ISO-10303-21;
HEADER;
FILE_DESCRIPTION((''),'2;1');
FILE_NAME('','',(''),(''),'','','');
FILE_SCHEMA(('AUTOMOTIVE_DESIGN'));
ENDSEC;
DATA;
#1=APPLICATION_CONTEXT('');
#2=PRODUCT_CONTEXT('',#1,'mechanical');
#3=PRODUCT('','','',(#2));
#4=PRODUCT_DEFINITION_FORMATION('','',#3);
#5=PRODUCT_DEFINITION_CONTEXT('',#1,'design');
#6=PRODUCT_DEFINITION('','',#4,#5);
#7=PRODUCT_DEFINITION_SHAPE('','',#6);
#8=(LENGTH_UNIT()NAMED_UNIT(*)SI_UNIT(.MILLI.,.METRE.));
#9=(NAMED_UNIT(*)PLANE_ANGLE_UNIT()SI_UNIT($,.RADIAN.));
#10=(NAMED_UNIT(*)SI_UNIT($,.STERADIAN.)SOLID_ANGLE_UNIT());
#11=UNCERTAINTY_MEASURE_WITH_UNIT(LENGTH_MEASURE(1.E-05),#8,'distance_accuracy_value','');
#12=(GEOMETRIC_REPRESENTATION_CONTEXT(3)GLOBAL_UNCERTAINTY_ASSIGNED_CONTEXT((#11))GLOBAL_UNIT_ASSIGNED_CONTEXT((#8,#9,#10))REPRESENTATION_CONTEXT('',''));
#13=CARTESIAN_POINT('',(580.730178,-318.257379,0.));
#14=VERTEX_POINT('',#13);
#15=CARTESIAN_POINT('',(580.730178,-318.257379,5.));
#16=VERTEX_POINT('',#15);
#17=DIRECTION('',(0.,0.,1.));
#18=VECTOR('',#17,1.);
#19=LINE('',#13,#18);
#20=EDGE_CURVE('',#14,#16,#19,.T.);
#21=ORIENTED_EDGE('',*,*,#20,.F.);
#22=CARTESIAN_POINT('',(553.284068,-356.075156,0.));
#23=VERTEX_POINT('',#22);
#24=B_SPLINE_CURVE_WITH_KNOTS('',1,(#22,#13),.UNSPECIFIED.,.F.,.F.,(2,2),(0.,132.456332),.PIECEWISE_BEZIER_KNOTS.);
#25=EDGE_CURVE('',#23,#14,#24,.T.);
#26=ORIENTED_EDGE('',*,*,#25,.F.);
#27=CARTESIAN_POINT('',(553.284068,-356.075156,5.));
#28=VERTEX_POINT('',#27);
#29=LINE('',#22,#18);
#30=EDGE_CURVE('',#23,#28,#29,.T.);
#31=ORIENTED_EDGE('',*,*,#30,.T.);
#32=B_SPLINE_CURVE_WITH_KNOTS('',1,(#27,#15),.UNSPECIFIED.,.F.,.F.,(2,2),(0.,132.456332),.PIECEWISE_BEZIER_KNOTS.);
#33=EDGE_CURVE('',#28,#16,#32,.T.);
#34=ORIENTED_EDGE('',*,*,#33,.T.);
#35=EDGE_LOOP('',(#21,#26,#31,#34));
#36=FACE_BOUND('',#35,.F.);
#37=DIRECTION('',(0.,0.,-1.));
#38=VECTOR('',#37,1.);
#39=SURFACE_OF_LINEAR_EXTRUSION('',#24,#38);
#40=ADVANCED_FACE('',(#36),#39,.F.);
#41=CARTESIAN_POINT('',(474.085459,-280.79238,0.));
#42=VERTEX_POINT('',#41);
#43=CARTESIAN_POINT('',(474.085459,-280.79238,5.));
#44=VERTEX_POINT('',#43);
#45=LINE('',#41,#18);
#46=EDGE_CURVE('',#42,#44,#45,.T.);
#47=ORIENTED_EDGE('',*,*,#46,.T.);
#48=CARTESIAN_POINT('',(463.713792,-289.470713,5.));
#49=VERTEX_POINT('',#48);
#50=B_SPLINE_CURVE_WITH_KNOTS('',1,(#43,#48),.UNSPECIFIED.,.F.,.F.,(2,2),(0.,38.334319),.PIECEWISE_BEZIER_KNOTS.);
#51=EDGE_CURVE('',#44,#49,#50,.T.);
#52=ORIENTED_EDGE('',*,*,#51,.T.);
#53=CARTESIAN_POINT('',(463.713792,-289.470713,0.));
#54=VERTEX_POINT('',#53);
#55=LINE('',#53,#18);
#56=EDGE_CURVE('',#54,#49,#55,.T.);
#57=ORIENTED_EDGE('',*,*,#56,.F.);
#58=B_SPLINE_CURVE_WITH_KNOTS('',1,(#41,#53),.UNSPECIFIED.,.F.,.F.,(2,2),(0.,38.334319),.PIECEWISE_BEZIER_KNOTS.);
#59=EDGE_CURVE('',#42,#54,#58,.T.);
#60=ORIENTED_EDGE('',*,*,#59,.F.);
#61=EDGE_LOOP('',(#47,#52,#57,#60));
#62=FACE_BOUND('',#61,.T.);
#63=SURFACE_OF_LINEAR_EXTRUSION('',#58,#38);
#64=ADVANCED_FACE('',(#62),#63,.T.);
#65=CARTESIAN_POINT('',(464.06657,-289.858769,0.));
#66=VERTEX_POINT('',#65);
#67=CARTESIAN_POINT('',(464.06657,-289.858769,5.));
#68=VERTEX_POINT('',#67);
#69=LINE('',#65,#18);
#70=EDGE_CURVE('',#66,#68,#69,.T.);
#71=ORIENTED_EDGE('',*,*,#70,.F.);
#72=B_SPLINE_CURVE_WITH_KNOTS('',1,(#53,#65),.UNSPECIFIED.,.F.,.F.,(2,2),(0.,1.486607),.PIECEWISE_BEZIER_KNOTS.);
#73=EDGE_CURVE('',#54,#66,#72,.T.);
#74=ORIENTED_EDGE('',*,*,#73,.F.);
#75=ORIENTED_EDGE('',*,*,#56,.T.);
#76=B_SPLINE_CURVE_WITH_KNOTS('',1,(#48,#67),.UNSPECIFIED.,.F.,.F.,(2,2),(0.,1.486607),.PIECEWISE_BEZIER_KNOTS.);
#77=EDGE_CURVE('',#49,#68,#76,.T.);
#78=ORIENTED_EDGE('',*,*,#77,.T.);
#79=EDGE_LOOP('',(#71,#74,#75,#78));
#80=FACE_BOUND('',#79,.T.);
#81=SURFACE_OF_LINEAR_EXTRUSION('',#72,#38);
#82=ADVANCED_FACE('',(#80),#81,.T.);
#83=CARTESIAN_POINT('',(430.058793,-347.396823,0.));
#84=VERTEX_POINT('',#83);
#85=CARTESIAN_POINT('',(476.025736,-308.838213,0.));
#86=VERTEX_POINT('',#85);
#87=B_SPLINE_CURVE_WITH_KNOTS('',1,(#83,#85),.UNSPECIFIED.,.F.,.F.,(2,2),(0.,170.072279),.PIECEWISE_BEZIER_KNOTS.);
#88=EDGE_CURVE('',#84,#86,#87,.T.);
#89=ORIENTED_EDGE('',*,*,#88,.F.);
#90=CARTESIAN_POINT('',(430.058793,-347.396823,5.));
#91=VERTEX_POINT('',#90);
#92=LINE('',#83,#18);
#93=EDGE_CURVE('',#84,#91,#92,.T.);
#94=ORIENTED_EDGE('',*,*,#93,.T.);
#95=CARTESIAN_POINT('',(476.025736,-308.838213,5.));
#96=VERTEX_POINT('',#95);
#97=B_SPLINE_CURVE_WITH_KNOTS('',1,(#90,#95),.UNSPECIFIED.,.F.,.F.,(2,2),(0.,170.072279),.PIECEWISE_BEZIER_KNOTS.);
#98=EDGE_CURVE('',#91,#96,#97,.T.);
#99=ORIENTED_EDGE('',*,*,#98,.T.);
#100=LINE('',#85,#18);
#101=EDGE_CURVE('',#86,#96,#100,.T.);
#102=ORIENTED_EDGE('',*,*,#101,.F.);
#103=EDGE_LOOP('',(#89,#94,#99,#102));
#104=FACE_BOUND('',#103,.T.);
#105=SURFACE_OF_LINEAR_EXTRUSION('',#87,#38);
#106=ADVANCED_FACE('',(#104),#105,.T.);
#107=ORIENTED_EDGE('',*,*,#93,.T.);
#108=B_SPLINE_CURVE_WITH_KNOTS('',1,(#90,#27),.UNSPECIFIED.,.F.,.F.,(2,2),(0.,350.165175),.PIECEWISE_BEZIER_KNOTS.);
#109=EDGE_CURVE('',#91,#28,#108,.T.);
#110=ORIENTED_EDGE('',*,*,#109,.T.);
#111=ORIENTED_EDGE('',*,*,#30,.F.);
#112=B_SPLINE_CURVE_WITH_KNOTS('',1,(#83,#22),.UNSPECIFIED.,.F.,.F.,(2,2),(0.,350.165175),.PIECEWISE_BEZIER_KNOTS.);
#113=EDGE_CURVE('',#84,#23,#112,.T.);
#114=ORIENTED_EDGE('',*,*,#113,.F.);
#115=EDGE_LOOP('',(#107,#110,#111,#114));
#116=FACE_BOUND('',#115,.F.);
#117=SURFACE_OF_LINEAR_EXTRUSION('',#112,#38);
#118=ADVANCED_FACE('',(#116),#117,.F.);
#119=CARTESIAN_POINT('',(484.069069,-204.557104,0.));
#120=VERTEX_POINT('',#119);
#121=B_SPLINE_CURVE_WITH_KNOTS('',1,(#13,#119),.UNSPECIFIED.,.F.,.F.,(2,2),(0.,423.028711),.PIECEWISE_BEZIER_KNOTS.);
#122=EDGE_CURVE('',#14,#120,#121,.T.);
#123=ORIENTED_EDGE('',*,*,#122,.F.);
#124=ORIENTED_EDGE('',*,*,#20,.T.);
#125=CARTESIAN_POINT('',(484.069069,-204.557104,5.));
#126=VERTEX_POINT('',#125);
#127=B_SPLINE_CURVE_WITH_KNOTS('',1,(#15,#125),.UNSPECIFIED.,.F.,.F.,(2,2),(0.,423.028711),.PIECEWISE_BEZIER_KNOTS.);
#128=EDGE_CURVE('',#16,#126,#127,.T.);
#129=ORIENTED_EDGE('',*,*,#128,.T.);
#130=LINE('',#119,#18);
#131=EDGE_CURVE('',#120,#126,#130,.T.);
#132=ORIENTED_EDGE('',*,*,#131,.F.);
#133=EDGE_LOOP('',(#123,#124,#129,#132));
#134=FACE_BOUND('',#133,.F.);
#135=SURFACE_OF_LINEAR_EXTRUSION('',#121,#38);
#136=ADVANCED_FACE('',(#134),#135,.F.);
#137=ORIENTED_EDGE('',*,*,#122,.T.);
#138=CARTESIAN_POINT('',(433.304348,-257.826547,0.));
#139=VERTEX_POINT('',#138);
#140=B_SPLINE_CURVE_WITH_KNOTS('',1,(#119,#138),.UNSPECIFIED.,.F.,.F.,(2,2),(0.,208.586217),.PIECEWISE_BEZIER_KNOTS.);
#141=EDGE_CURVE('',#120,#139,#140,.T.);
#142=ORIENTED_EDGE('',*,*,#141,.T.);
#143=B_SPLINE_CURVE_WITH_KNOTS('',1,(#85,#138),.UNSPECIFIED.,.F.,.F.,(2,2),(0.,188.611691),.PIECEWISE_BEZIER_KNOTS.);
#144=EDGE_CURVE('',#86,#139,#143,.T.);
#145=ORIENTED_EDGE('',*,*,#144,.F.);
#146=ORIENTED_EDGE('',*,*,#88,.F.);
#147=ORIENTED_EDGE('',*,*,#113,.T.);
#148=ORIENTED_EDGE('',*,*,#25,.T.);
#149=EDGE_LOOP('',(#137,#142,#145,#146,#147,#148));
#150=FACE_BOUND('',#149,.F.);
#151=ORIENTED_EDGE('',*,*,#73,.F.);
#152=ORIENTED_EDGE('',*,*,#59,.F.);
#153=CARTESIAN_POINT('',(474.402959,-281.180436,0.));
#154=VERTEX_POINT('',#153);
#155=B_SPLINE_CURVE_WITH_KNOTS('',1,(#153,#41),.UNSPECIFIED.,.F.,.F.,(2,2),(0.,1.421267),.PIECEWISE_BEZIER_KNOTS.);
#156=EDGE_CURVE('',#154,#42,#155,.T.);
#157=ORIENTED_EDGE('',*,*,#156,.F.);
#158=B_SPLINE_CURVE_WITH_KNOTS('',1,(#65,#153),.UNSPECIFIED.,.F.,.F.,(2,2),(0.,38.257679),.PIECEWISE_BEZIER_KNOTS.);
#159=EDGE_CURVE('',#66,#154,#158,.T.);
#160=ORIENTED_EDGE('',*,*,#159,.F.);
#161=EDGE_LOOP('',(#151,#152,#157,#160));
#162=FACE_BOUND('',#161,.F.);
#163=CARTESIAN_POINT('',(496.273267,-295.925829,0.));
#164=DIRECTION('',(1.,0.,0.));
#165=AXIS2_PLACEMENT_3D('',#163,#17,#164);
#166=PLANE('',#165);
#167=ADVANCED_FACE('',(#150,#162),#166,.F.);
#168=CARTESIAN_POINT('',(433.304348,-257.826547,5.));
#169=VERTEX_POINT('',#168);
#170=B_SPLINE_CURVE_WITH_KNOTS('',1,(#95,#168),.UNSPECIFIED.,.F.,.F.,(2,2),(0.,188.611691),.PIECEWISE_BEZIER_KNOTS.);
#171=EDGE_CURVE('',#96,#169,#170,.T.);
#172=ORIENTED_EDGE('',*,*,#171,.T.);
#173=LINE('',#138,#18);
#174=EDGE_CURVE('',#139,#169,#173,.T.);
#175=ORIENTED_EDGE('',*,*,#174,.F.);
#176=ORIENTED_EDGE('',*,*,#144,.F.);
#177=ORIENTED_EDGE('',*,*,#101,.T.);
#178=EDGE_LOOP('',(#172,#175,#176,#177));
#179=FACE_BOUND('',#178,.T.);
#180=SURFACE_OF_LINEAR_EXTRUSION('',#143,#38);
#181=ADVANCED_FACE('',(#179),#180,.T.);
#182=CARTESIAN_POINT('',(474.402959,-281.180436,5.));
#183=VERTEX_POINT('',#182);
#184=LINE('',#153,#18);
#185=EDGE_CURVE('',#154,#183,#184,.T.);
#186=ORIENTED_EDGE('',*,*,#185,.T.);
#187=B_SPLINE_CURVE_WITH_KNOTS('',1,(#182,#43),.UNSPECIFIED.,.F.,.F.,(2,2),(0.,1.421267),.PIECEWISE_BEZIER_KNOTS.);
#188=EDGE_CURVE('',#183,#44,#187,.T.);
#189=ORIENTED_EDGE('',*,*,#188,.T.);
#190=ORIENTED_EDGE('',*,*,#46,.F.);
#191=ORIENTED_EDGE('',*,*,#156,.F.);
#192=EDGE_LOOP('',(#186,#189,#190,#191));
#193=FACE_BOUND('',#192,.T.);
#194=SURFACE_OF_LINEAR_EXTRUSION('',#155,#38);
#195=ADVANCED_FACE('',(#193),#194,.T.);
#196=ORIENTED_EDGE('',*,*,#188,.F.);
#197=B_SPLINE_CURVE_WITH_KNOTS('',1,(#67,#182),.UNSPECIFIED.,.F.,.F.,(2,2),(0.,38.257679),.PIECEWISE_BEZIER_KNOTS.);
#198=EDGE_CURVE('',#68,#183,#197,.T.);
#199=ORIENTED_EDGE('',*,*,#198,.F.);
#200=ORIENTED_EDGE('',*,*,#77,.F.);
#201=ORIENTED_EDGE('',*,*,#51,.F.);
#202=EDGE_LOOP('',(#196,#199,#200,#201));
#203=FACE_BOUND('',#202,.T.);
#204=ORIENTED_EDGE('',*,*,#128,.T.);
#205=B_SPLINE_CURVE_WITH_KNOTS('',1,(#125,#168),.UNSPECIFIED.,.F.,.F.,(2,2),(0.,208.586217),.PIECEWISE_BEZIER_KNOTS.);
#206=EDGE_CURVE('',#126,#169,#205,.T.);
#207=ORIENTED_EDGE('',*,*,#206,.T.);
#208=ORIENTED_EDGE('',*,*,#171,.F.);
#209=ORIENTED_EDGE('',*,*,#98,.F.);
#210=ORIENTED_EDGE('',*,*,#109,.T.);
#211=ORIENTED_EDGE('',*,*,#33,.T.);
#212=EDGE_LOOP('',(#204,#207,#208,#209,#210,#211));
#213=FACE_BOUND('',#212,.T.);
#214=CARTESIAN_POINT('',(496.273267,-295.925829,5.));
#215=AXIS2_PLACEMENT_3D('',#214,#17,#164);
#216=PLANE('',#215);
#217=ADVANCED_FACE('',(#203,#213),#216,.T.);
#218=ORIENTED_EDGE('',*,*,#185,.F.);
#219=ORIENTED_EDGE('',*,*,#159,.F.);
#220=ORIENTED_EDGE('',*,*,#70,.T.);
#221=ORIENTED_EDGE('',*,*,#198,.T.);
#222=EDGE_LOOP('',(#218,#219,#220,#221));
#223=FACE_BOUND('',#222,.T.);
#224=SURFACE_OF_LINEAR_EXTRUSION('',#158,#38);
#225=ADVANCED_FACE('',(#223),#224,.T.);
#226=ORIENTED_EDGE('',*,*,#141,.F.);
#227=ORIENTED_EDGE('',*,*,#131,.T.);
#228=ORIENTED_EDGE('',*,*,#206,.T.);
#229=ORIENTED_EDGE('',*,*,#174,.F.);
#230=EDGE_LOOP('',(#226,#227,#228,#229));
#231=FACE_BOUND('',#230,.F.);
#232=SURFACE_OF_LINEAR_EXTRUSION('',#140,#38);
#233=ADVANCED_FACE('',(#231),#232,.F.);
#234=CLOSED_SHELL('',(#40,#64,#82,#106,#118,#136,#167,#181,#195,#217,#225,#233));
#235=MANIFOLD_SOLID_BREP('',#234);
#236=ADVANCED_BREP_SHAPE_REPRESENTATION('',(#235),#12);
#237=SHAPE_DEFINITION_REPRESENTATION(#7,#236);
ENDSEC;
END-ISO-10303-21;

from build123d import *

# Parameters (mm, degrees)
PAD002_DEPTH = 5


with BuildPart() as part:
    # Sketch004 → Pad002 (new body)
    with BuildSketch(Plane.XY):
        with BuildLine():
            add(Edge.make_bspline(
                [(430.058793, -347.396823), (553.284068, -356.075156)],
                knots=[0, 0, 350.165175, 350.165175], degree=1))
            add(Edge.make_bspline(
                [(430.058793, -347.396823), (476.025736, -308.838213)],
                knots=[0, 0, 170.072279, 170.072279], degree=1))
            add(Edge.make_bspline(
                [(476.025736, -308.838213), (433.304348, -257.826547)],
                knots=[0, 0, 188.611691, 188.611691], degree=1))
            add(Edge.make_bspline(
                [(484.069069, -204.557104), (433.304348, -257.826547)],
                knots=[0, 0, 208.586217, 208.586217], degree=1))
            add(Edge.make_bspline(
                [(580.730178, -318.257379), (484.069069, -204.557104)],
                knots=[0, 0, 423.028711, 423.028711], degree=1))
            add(Edge.make_bspline(
                [(553.284068, -356.075156), (580.730178, -318.257379)],
                knots=[0, 0, 132.456332, 132.456332], degree=1))
        make_face()
        with BuildLine():
            add(Edge.make_bspline(
                [(464.06657, -289.858769), (474.402959, -281.180436)],
                knots=[0, 0, 38.257679, 38.257679], degree=1))
            add(Edge.make_bspline(
                [(474.402959, -281.180436), (474.085459, -280.79238)],
                knots=[0, 0, 1.421267, 1.421267], degree=1))
            add(Edge.make_bspline(
                [(474.085459, -280.79238), (463.713792, -289.470713)],
                knots=[0, 0, 38.334319, 38.334319], degree=1))
            add(Edge.make_bspline(
                [(463.713792, -289.470713), (464.06657, -289.858769)],
                knots=[0, 0, 1.486607, 1.486607], degree=1))
        make_face(mode=Mode.SUBTRACT)
    extrude(amount=PAD002_DEPTH)


solid = part.part
